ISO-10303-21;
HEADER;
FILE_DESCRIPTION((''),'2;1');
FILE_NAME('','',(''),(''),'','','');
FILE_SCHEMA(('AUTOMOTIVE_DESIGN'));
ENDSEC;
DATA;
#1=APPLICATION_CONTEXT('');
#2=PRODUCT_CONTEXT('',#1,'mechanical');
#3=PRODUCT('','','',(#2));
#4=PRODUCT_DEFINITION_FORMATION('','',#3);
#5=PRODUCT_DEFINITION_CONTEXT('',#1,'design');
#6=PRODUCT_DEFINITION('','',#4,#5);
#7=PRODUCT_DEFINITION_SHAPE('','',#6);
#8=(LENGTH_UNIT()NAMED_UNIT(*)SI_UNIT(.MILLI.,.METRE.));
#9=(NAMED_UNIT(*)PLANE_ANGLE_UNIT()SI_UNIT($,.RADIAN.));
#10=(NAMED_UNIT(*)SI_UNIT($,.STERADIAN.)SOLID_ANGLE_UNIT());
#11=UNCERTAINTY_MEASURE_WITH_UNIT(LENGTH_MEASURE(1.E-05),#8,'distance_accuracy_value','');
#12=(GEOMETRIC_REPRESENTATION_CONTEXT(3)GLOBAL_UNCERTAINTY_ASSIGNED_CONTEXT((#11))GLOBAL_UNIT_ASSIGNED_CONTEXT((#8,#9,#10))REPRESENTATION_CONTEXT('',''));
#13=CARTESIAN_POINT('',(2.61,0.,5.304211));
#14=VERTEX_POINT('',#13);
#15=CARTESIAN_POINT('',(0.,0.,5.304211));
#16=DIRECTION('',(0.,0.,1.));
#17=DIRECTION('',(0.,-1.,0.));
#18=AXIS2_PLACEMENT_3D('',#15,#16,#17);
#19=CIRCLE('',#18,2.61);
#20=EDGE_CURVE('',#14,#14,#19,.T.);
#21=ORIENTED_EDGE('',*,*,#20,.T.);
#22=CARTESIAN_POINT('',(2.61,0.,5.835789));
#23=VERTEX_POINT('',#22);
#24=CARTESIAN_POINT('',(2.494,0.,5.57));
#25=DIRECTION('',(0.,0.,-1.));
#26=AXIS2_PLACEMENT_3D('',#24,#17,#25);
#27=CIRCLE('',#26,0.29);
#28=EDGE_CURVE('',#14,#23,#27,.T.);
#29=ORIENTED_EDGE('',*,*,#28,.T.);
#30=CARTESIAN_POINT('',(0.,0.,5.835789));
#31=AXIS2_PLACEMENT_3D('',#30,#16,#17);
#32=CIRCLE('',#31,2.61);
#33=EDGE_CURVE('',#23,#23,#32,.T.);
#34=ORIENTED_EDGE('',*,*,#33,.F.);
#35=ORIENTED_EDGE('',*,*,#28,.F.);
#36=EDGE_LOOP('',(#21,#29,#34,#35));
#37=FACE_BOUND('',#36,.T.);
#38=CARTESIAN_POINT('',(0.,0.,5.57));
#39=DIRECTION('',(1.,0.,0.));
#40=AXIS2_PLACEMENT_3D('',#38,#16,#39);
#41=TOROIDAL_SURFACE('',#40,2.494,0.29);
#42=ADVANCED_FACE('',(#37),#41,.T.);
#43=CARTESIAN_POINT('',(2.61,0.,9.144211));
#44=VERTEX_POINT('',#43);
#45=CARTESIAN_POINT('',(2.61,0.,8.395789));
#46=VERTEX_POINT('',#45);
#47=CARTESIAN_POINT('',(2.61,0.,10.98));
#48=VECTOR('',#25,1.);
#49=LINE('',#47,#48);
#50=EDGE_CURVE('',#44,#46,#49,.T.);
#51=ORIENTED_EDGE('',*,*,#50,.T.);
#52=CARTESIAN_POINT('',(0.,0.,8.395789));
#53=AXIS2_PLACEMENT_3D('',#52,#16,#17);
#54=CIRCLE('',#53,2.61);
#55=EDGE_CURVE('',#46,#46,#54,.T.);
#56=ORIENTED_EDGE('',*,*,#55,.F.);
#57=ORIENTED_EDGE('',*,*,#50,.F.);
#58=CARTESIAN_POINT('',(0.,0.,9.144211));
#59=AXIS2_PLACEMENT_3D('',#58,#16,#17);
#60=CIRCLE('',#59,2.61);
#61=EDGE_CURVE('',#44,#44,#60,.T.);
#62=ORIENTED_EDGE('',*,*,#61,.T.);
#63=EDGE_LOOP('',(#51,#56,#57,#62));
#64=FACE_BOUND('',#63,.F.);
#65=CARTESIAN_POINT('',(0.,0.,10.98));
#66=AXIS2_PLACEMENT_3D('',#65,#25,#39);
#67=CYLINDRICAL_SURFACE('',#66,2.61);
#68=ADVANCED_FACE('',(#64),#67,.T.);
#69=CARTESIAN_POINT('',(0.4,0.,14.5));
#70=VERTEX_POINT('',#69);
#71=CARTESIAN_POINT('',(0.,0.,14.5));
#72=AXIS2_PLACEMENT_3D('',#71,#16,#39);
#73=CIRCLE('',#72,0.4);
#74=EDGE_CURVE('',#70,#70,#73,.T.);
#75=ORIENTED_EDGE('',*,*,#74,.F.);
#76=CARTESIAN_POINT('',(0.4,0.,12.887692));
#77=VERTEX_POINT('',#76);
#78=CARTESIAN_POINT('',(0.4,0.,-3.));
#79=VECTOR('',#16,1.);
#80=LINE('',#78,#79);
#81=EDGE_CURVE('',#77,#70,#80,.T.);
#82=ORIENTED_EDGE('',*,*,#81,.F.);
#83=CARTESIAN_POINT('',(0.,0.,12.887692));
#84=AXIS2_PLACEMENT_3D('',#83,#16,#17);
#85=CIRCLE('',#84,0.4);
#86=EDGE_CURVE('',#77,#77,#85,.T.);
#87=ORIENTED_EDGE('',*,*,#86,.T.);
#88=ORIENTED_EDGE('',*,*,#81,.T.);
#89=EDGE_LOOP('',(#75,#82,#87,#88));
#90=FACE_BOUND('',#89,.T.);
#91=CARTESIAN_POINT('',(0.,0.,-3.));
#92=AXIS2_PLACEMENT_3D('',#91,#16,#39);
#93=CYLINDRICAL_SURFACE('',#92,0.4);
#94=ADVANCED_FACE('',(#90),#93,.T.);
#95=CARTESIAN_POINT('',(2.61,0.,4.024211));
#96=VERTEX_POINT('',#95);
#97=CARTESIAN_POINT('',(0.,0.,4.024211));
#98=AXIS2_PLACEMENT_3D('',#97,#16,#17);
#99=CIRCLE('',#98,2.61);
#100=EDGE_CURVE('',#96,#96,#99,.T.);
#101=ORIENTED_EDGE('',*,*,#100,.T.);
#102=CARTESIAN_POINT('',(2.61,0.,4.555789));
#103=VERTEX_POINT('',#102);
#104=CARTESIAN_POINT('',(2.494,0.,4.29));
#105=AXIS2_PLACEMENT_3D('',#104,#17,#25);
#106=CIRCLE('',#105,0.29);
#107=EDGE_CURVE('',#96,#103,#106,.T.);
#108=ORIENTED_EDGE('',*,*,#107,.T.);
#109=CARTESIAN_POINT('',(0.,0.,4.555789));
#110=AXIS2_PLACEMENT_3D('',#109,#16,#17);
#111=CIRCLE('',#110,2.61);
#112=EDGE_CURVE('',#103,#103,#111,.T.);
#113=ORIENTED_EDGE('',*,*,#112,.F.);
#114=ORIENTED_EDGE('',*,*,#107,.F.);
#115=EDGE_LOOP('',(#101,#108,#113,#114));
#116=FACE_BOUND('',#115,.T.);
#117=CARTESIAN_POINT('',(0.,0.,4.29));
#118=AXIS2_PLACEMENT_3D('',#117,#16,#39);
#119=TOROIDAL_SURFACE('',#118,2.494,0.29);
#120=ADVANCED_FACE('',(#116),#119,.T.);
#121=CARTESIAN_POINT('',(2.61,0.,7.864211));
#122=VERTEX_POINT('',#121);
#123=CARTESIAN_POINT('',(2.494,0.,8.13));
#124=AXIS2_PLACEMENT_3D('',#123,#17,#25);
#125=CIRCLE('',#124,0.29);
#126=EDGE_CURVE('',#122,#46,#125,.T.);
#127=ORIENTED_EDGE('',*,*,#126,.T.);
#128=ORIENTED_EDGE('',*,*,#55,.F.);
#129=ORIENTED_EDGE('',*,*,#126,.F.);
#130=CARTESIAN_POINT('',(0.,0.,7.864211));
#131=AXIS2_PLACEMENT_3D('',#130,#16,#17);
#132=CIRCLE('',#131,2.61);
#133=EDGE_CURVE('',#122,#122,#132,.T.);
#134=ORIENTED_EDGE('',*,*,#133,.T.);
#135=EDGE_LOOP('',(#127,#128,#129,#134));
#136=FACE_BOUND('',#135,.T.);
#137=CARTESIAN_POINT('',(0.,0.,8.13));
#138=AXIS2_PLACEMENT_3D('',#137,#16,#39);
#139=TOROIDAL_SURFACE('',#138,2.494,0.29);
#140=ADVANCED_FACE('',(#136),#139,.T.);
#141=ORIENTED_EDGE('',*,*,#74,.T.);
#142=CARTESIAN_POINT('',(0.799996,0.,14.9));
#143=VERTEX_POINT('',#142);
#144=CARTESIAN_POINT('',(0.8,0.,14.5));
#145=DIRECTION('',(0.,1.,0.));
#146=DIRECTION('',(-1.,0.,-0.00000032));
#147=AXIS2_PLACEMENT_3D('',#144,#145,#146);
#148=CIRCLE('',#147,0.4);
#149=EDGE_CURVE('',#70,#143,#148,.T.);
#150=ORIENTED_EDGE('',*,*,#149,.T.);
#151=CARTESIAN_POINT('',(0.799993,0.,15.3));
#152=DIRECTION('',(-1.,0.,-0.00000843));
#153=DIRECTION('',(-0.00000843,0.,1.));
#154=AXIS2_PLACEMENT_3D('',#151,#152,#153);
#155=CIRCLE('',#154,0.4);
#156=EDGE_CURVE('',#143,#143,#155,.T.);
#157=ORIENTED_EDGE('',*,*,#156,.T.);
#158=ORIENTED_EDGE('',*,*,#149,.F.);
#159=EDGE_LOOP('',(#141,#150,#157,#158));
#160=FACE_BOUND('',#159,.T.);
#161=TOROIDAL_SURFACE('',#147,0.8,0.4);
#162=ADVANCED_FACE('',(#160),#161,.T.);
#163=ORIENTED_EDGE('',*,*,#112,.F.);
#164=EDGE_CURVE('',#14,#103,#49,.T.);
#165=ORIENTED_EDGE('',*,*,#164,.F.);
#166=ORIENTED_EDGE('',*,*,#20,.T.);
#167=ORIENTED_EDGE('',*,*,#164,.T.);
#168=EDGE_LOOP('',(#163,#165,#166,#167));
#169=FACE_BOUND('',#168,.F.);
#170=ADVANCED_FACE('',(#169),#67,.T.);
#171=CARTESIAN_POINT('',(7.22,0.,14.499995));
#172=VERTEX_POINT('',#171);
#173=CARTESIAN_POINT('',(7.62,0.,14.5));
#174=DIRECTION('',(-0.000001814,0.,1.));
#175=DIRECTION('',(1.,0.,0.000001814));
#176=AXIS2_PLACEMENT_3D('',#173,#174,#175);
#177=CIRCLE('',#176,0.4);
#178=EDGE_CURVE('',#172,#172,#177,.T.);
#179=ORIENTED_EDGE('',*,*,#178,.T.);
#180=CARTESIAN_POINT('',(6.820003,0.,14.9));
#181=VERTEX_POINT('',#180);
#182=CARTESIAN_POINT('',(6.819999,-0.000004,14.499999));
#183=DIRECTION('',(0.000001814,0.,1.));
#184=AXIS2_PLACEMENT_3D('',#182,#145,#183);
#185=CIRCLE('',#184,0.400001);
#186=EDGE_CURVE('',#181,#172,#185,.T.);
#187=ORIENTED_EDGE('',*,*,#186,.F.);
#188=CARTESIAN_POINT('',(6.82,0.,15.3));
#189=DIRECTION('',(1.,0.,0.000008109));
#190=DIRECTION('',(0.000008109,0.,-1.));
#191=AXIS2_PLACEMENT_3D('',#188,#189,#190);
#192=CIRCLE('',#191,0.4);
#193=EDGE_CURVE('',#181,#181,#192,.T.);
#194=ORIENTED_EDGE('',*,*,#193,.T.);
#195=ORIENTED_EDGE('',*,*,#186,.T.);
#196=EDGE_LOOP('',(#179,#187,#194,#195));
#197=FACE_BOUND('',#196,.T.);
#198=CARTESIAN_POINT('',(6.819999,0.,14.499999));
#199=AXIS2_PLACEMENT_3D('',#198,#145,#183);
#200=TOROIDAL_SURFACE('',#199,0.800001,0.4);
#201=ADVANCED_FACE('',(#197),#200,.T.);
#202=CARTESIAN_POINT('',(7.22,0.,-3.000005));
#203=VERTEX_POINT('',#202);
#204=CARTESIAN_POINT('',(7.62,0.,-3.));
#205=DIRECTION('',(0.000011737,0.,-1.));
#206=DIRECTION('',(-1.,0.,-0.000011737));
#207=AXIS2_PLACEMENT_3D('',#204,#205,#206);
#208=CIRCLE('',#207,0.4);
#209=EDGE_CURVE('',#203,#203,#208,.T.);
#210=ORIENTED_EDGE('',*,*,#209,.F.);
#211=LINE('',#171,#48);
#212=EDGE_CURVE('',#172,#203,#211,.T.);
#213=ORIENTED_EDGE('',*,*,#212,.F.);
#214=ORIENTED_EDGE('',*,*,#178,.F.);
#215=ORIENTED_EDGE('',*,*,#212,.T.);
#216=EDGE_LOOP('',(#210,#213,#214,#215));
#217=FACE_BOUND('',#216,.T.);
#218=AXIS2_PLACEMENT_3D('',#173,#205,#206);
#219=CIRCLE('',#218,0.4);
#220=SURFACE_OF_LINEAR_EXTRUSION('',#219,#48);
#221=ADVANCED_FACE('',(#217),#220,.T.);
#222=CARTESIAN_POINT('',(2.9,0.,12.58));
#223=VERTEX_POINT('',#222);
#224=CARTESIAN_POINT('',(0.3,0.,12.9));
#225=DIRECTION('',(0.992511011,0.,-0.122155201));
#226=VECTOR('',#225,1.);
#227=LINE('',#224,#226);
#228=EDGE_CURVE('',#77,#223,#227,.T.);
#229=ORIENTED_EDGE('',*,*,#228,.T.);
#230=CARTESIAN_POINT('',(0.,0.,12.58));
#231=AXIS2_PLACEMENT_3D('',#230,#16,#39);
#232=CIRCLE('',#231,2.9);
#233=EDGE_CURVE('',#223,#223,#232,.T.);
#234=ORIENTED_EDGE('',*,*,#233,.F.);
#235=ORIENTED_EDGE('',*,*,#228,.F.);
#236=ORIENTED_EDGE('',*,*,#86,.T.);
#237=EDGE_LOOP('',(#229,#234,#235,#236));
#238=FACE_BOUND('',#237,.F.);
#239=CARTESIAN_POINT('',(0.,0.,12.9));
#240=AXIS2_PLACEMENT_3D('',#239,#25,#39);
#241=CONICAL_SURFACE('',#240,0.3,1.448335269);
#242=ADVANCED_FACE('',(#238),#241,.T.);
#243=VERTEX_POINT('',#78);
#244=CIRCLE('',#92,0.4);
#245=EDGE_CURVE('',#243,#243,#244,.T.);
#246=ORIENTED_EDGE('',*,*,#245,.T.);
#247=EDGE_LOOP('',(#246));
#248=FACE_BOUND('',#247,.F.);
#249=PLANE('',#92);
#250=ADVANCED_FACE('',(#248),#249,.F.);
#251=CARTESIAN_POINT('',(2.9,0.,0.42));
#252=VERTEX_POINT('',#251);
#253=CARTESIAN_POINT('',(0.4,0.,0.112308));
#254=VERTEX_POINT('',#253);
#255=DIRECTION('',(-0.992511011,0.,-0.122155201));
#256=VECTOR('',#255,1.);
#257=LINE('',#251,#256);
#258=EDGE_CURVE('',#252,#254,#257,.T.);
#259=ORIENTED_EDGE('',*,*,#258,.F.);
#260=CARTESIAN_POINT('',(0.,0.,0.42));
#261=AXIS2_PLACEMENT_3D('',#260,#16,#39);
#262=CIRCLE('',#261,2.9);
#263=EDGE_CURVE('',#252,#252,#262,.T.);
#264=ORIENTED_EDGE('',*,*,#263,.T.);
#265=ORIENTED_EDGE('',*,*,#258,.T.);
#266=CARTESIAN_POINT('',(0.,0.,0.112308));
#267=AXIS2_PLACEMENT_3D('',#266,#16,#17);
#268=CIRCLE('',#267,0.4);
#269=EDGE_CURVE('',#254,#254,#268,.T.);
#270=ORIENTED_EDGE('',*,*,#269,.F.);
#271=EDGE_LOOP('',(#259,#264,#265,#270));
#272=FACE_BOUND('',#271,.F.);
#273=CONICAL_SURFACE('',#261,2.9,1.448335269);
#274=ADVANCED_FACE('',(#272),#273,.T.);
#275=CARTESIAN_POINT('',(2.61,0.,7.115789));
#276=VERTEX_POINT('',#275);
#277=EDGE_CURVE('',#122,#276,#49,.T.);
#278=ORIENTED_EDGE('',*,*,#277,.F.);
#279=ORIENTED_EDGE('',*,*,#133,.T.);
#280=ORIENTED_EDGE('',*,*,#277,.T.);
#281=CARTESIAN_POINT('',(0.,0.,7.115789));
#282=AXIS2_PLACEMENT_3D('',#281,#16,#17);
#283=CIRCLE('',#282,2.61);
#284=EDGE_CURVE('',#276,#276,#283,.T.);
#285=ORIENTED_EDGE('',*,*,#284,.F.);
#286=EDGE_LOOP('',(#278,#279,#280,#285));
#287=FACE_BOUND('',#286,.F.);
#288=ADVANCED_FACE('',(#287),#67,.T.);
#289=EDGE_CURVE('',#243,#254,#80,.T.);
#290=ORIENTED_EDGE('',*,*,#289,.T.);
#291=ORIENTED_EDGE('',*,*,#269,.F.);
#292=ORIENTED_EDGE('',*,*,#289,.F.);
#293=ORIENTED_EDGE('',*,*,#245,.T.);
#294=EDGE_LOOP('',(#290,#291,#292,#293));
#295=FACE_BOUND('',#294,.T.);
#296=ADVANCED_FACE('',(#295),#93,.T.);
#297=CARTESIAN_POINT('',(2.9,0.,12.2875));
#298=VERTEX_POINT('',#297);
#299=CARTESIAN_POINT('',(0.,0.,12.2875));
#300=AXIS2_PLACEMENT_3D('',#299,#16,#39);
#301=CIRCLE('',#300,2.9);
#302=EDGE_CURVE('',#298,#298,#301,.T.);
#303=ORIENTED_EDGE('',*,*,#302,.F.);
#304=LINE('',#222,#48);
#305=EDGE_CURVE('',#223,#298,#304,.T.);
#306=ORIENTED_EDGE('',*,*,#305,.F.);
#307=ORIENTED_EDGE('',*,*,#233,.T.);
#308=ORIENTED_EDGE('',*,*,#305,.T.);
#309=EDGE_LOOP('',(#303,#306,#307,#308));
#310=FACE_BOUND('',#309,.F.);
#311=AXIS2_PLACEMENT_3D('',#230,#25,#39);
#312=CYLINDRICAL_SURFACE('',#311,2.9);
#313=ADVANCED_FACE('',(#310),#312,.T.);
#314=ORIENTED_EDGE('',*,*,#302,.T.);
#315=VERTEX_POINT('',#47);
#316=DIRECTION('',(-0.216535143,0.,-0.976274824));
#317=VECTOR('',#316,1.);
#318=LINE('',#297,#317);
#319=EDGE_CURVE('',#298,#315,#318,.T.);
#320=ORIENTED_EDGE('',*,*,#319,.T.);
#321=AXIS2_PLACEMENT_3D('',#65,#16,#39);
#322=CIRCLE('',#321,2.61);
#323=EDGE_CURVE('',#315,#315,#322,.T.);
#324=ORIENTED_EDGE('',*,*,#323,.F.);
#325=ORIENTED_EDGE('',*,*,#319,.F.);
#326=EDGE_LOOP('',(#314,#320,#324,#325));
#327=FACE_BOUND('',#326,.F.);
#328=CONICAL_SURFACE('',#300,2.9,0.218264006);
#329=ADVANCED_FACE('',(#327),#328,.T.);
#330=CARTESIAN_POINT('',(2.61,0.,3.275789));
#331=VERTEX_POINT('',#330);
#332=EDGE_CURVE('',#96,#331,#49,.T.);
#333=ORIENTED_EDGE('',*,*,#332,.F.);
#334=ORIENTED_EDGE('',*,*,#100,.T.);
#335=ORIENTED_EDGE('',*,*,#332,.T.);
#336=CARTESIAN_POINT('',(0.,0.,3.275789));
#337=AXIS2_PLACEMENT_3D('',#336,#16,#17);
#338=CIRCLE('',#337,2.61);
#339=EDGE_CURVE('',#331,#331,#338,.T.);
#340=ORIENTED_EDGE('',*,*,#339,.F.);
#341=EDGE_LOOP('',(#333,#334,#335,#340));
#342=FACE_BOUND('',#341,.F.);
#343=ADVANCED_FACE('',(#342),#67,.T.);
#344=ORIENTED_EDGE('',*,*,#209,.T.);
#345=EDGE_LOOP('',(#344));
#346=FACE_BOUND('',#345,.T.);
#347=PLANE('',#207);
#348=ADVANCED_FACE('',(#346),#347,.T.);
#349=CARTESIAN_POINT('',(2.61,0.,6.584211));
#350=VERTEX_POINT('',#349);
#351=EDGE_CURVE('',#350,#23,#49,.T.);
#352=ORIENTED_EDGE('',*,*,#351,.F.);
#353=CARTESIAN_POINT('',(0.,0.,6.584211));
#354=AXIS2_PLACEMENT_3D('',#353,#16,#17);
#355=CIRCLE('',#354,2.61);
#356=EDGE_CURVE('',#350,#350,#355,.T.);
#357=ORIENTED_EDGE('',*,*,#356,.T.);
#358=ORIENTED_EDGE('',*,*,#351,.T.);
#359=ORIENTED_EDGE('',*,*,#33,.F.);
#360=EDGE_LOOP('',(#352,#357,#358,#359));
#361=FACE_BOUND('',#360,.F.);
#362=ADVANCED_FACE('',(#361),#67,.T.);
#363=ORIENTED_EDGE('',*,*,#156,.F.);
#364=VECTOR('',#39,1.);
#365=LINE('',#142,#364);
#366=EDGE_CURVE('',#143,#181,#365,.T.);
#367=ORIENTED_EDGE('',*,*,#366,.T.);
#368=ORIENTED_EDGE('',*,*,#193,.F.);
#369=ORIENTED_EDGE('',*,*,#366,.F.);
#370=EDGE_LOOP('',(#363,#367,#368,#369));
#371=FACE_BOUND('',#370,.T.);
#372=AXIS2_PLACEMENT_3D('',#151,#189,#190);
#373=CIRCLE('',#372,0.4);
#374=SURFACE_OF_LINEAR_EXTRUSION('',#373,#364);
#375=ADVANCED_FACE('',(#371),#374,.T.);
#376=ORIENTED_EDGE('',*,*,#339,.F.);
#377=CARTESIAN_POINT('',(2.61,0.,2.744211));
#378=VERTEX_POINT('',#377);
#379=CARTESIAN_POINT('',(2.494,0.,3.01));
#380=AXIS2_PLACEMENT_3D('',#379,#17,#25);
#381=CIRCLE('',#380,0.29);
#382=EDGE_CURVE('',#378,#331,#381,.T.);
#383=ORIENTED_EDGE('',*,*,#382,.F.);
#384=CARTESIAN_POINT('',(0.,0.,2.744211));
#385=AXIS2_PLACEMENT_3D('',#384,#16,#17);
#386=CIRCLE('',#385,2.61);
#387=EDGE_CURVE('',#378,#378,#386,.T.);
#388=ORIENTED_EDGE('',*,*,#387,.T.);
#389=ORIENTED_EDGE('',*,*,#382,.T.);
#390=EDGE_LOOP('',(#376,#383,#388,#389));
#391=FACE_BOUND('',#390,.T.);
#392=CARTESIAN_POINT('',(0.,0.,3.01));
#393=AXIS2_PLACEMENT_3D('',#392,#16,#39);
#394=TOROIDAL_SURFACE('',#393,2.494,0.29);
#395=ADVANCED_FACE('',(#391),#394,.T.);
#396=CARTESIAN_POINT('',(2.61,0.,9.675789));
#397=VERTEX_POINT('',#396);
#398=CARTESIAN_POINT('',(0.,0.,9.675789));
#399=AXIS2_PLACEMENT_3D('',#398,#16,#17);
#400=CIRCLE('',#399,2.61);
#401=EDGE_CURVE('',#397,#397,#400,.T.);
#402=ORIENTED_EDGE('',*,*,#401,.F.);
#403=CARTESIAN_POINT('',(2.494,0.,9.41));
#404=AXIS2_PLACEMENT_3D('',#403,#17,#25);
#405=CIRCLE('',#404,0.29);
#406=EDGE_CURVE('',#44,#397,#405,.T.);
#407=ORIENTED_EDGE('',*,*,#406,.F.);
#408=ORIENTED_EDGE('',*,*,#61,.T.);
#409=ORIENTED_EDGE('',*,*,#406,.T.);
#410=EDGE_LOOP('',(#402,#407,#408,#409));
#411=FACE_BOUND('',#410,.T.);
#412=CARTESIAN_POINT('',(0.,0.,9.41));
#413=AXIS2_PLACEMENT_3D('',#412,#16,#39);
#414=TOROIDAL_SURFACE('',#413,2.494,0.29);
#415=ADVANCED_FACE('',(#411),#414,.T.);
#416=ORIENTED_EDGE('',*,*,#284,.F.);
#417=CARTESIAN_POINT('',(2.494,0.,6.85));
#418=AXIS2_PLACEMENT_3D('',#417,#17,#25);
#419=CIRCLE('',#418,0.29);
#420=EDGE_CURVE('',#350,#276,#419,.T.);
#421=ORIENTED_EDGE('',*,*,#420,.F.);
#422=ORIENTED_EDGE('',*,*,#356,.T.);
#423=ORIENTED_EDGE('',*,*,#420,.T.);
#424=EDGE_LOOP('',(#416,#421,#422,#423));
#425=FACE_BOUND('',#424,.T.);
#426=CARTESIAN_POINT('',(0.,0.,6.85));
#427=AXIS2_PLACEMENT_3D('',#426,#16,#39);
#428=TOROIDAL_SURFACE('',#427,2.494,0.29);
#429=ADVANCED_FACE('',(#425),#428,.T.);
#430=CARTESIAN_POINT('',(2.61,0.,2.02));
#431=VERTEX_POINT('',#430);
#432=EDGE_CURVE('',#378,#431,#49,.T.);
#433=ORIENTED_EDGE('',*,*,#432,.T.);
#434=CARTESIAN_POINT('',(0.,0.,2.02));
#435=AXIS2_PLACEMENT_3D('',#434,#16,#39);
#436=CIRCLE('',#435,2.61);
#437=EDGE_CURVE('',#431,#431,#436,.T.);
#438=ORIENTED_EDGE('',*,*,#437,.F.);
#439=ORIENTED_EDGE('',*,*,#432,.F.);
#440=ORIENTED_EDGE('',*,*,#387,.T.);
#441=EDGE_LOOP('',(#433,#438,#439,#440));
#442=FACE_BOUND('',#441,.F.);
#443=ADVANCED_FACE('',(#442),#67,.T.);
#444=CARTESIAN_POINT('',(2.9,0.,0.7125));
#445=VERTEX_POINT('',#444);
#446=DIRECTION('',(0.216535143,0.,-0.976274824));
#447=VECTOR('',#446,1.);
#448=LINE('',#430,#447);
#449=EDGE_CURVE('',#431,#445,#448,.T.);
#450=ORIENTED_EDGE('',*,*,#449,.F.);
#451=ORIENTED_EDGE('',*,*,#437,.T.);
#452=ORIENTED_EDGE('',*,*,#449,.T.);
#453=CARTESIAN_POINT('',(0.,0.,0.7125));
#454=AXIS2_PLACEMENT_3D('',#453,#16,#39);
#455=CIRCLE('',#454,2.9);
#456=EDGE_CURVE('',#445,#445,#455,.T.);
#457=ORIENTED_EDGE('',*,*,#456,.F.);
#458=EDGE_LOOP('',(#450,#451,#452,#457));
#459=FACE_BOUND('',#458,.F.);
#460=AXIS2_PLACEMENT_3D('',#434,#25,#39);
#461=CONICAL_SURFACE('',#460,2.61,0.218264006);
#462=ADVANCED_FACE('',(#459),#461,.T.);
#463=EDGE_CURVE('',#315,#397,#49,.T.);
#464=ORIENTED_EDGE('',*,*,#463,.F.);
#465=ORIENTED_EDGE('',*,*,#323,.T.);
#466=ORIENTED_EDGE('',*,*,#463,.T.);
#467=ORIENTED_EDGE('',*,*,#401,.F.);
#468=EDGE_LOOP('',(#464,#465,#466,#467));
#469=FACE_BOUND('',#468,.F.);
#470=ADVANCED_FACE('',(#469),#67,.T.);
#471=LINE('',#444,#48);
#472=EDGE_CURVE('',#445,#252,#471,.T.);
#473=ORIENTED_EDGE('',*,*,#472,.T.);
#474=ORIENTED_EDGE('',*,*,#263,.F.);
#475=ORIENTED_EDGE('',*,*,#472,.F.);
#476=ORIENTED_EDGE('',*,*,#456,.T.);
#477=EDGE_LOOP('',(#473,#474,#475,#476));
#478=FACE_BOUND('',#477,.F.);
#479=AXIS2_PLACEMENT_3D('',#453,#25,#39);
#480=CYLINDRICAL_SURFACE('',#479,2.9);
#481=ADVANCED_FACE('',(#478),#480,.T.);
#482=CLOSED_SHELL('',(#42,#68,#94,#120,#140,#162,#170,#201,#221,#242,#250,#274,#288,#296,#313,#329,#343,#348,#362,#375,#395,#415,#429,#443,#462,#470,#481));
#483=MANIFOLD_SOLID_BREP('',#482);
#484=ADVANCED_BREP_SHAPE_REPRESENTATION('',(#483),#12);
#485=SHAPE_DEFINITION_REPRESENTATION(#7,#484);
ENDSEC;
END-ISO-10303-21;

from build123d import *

# Parameters (mm, degrees)
SKETCH_R = 0.4


with BuildPart() as revolution:
    # Sketch002 → Revolution (revolve)
    with BuildSketch(Plane.XZ):
        Polygon((0, 0.1), (0, 12.9), (0.3, 12.9), (2.9, 12.58), (2.9, 12.2875), (2.61, 10.98), (2.61, 2.02), (2.9, 0.7125), (2.9, 0.42), (0.3, 0.1), align=None)
    revolve(axis=Axis((0, 0, 0), (0, 0, 1)))


with BuildPart() as revolution001:
    # Sketch003 → Revolution001 (revolve)
    with BuildSketch(Plane.XZ):
        with BuildLine():
            Line((2.32, 10.4), (2.32, 2.02))
            Line((2.32, 2.02), (2.494, 2.02))
            Line((2.494, 2.02), (2.494, 2.72))
            ThreePointArc((2.494, 2.72), (2.784, 3.01), (2.494, 3.3))
            Line((2.494, 3.3), (2.494, 4))
            ThreePointArc((2.494, 4), (2.784, 4.29), (2.494, 4.58))
            Line((2.494, 4.58), (2.494, 5.28))
            ThreePointArc((2.494, 5.28), (2.784, 5.57), (2.494, 5.86))
            Line((2.494, 5.86), (2.494, 6.56))
            ThreePointArc((2.494, 6.56), (2.784, 6.85), (2.494, 7.14))
            Line((2.494, 7.14), (2.494, 7.84))
            ThreePointArc((2.494, 7.84), (2.784, 8.13), (2.494, 8.42))
            Line((2.494, 8.42), (2.494, 9.12))
            ThreePointArc((2.494, 9.12), (2.784, 9.41), (2.494, 9.7))
            Line((2.494, 10.4), (2.494, 9.7))
            Line((2.32, 10.4), (2.494, 10.4))
        make_face()
    revolve(axis=Axis((0, 0, 0), (0, 0, 1)))


with BuildPart() as sweep_mp_cp:
    # Sweep: sweep along a path in Sketch001
    with BuildLine(Plane.XZ) as sweep_path:
        Line((0, -3), (0, 14.5))
        ThreePointArc((0, 14.5), (0.234312, 15.065683), (0.799993, 15.3))
        Line((0.799993, 15.3), (6.82, 15.3))
        ThreePointArc((6.82, 15.3), (7.385685, 15.065685), (7.62, 14.5))
        Line((7.62, 14.5), (7.62, -3))
    # Sketch → Sweep (sweep)
    with BuildSketch(Plane.XY.offset(-2)):
        Circle(SKETCH_R)
    sweep(path=sweep_path.line)

    # Sweep_mp_cp: union Revolution, Revolution001
    add(revolution.part)
    add(revolution001.part)


solid = sweep_mp_cp.part
